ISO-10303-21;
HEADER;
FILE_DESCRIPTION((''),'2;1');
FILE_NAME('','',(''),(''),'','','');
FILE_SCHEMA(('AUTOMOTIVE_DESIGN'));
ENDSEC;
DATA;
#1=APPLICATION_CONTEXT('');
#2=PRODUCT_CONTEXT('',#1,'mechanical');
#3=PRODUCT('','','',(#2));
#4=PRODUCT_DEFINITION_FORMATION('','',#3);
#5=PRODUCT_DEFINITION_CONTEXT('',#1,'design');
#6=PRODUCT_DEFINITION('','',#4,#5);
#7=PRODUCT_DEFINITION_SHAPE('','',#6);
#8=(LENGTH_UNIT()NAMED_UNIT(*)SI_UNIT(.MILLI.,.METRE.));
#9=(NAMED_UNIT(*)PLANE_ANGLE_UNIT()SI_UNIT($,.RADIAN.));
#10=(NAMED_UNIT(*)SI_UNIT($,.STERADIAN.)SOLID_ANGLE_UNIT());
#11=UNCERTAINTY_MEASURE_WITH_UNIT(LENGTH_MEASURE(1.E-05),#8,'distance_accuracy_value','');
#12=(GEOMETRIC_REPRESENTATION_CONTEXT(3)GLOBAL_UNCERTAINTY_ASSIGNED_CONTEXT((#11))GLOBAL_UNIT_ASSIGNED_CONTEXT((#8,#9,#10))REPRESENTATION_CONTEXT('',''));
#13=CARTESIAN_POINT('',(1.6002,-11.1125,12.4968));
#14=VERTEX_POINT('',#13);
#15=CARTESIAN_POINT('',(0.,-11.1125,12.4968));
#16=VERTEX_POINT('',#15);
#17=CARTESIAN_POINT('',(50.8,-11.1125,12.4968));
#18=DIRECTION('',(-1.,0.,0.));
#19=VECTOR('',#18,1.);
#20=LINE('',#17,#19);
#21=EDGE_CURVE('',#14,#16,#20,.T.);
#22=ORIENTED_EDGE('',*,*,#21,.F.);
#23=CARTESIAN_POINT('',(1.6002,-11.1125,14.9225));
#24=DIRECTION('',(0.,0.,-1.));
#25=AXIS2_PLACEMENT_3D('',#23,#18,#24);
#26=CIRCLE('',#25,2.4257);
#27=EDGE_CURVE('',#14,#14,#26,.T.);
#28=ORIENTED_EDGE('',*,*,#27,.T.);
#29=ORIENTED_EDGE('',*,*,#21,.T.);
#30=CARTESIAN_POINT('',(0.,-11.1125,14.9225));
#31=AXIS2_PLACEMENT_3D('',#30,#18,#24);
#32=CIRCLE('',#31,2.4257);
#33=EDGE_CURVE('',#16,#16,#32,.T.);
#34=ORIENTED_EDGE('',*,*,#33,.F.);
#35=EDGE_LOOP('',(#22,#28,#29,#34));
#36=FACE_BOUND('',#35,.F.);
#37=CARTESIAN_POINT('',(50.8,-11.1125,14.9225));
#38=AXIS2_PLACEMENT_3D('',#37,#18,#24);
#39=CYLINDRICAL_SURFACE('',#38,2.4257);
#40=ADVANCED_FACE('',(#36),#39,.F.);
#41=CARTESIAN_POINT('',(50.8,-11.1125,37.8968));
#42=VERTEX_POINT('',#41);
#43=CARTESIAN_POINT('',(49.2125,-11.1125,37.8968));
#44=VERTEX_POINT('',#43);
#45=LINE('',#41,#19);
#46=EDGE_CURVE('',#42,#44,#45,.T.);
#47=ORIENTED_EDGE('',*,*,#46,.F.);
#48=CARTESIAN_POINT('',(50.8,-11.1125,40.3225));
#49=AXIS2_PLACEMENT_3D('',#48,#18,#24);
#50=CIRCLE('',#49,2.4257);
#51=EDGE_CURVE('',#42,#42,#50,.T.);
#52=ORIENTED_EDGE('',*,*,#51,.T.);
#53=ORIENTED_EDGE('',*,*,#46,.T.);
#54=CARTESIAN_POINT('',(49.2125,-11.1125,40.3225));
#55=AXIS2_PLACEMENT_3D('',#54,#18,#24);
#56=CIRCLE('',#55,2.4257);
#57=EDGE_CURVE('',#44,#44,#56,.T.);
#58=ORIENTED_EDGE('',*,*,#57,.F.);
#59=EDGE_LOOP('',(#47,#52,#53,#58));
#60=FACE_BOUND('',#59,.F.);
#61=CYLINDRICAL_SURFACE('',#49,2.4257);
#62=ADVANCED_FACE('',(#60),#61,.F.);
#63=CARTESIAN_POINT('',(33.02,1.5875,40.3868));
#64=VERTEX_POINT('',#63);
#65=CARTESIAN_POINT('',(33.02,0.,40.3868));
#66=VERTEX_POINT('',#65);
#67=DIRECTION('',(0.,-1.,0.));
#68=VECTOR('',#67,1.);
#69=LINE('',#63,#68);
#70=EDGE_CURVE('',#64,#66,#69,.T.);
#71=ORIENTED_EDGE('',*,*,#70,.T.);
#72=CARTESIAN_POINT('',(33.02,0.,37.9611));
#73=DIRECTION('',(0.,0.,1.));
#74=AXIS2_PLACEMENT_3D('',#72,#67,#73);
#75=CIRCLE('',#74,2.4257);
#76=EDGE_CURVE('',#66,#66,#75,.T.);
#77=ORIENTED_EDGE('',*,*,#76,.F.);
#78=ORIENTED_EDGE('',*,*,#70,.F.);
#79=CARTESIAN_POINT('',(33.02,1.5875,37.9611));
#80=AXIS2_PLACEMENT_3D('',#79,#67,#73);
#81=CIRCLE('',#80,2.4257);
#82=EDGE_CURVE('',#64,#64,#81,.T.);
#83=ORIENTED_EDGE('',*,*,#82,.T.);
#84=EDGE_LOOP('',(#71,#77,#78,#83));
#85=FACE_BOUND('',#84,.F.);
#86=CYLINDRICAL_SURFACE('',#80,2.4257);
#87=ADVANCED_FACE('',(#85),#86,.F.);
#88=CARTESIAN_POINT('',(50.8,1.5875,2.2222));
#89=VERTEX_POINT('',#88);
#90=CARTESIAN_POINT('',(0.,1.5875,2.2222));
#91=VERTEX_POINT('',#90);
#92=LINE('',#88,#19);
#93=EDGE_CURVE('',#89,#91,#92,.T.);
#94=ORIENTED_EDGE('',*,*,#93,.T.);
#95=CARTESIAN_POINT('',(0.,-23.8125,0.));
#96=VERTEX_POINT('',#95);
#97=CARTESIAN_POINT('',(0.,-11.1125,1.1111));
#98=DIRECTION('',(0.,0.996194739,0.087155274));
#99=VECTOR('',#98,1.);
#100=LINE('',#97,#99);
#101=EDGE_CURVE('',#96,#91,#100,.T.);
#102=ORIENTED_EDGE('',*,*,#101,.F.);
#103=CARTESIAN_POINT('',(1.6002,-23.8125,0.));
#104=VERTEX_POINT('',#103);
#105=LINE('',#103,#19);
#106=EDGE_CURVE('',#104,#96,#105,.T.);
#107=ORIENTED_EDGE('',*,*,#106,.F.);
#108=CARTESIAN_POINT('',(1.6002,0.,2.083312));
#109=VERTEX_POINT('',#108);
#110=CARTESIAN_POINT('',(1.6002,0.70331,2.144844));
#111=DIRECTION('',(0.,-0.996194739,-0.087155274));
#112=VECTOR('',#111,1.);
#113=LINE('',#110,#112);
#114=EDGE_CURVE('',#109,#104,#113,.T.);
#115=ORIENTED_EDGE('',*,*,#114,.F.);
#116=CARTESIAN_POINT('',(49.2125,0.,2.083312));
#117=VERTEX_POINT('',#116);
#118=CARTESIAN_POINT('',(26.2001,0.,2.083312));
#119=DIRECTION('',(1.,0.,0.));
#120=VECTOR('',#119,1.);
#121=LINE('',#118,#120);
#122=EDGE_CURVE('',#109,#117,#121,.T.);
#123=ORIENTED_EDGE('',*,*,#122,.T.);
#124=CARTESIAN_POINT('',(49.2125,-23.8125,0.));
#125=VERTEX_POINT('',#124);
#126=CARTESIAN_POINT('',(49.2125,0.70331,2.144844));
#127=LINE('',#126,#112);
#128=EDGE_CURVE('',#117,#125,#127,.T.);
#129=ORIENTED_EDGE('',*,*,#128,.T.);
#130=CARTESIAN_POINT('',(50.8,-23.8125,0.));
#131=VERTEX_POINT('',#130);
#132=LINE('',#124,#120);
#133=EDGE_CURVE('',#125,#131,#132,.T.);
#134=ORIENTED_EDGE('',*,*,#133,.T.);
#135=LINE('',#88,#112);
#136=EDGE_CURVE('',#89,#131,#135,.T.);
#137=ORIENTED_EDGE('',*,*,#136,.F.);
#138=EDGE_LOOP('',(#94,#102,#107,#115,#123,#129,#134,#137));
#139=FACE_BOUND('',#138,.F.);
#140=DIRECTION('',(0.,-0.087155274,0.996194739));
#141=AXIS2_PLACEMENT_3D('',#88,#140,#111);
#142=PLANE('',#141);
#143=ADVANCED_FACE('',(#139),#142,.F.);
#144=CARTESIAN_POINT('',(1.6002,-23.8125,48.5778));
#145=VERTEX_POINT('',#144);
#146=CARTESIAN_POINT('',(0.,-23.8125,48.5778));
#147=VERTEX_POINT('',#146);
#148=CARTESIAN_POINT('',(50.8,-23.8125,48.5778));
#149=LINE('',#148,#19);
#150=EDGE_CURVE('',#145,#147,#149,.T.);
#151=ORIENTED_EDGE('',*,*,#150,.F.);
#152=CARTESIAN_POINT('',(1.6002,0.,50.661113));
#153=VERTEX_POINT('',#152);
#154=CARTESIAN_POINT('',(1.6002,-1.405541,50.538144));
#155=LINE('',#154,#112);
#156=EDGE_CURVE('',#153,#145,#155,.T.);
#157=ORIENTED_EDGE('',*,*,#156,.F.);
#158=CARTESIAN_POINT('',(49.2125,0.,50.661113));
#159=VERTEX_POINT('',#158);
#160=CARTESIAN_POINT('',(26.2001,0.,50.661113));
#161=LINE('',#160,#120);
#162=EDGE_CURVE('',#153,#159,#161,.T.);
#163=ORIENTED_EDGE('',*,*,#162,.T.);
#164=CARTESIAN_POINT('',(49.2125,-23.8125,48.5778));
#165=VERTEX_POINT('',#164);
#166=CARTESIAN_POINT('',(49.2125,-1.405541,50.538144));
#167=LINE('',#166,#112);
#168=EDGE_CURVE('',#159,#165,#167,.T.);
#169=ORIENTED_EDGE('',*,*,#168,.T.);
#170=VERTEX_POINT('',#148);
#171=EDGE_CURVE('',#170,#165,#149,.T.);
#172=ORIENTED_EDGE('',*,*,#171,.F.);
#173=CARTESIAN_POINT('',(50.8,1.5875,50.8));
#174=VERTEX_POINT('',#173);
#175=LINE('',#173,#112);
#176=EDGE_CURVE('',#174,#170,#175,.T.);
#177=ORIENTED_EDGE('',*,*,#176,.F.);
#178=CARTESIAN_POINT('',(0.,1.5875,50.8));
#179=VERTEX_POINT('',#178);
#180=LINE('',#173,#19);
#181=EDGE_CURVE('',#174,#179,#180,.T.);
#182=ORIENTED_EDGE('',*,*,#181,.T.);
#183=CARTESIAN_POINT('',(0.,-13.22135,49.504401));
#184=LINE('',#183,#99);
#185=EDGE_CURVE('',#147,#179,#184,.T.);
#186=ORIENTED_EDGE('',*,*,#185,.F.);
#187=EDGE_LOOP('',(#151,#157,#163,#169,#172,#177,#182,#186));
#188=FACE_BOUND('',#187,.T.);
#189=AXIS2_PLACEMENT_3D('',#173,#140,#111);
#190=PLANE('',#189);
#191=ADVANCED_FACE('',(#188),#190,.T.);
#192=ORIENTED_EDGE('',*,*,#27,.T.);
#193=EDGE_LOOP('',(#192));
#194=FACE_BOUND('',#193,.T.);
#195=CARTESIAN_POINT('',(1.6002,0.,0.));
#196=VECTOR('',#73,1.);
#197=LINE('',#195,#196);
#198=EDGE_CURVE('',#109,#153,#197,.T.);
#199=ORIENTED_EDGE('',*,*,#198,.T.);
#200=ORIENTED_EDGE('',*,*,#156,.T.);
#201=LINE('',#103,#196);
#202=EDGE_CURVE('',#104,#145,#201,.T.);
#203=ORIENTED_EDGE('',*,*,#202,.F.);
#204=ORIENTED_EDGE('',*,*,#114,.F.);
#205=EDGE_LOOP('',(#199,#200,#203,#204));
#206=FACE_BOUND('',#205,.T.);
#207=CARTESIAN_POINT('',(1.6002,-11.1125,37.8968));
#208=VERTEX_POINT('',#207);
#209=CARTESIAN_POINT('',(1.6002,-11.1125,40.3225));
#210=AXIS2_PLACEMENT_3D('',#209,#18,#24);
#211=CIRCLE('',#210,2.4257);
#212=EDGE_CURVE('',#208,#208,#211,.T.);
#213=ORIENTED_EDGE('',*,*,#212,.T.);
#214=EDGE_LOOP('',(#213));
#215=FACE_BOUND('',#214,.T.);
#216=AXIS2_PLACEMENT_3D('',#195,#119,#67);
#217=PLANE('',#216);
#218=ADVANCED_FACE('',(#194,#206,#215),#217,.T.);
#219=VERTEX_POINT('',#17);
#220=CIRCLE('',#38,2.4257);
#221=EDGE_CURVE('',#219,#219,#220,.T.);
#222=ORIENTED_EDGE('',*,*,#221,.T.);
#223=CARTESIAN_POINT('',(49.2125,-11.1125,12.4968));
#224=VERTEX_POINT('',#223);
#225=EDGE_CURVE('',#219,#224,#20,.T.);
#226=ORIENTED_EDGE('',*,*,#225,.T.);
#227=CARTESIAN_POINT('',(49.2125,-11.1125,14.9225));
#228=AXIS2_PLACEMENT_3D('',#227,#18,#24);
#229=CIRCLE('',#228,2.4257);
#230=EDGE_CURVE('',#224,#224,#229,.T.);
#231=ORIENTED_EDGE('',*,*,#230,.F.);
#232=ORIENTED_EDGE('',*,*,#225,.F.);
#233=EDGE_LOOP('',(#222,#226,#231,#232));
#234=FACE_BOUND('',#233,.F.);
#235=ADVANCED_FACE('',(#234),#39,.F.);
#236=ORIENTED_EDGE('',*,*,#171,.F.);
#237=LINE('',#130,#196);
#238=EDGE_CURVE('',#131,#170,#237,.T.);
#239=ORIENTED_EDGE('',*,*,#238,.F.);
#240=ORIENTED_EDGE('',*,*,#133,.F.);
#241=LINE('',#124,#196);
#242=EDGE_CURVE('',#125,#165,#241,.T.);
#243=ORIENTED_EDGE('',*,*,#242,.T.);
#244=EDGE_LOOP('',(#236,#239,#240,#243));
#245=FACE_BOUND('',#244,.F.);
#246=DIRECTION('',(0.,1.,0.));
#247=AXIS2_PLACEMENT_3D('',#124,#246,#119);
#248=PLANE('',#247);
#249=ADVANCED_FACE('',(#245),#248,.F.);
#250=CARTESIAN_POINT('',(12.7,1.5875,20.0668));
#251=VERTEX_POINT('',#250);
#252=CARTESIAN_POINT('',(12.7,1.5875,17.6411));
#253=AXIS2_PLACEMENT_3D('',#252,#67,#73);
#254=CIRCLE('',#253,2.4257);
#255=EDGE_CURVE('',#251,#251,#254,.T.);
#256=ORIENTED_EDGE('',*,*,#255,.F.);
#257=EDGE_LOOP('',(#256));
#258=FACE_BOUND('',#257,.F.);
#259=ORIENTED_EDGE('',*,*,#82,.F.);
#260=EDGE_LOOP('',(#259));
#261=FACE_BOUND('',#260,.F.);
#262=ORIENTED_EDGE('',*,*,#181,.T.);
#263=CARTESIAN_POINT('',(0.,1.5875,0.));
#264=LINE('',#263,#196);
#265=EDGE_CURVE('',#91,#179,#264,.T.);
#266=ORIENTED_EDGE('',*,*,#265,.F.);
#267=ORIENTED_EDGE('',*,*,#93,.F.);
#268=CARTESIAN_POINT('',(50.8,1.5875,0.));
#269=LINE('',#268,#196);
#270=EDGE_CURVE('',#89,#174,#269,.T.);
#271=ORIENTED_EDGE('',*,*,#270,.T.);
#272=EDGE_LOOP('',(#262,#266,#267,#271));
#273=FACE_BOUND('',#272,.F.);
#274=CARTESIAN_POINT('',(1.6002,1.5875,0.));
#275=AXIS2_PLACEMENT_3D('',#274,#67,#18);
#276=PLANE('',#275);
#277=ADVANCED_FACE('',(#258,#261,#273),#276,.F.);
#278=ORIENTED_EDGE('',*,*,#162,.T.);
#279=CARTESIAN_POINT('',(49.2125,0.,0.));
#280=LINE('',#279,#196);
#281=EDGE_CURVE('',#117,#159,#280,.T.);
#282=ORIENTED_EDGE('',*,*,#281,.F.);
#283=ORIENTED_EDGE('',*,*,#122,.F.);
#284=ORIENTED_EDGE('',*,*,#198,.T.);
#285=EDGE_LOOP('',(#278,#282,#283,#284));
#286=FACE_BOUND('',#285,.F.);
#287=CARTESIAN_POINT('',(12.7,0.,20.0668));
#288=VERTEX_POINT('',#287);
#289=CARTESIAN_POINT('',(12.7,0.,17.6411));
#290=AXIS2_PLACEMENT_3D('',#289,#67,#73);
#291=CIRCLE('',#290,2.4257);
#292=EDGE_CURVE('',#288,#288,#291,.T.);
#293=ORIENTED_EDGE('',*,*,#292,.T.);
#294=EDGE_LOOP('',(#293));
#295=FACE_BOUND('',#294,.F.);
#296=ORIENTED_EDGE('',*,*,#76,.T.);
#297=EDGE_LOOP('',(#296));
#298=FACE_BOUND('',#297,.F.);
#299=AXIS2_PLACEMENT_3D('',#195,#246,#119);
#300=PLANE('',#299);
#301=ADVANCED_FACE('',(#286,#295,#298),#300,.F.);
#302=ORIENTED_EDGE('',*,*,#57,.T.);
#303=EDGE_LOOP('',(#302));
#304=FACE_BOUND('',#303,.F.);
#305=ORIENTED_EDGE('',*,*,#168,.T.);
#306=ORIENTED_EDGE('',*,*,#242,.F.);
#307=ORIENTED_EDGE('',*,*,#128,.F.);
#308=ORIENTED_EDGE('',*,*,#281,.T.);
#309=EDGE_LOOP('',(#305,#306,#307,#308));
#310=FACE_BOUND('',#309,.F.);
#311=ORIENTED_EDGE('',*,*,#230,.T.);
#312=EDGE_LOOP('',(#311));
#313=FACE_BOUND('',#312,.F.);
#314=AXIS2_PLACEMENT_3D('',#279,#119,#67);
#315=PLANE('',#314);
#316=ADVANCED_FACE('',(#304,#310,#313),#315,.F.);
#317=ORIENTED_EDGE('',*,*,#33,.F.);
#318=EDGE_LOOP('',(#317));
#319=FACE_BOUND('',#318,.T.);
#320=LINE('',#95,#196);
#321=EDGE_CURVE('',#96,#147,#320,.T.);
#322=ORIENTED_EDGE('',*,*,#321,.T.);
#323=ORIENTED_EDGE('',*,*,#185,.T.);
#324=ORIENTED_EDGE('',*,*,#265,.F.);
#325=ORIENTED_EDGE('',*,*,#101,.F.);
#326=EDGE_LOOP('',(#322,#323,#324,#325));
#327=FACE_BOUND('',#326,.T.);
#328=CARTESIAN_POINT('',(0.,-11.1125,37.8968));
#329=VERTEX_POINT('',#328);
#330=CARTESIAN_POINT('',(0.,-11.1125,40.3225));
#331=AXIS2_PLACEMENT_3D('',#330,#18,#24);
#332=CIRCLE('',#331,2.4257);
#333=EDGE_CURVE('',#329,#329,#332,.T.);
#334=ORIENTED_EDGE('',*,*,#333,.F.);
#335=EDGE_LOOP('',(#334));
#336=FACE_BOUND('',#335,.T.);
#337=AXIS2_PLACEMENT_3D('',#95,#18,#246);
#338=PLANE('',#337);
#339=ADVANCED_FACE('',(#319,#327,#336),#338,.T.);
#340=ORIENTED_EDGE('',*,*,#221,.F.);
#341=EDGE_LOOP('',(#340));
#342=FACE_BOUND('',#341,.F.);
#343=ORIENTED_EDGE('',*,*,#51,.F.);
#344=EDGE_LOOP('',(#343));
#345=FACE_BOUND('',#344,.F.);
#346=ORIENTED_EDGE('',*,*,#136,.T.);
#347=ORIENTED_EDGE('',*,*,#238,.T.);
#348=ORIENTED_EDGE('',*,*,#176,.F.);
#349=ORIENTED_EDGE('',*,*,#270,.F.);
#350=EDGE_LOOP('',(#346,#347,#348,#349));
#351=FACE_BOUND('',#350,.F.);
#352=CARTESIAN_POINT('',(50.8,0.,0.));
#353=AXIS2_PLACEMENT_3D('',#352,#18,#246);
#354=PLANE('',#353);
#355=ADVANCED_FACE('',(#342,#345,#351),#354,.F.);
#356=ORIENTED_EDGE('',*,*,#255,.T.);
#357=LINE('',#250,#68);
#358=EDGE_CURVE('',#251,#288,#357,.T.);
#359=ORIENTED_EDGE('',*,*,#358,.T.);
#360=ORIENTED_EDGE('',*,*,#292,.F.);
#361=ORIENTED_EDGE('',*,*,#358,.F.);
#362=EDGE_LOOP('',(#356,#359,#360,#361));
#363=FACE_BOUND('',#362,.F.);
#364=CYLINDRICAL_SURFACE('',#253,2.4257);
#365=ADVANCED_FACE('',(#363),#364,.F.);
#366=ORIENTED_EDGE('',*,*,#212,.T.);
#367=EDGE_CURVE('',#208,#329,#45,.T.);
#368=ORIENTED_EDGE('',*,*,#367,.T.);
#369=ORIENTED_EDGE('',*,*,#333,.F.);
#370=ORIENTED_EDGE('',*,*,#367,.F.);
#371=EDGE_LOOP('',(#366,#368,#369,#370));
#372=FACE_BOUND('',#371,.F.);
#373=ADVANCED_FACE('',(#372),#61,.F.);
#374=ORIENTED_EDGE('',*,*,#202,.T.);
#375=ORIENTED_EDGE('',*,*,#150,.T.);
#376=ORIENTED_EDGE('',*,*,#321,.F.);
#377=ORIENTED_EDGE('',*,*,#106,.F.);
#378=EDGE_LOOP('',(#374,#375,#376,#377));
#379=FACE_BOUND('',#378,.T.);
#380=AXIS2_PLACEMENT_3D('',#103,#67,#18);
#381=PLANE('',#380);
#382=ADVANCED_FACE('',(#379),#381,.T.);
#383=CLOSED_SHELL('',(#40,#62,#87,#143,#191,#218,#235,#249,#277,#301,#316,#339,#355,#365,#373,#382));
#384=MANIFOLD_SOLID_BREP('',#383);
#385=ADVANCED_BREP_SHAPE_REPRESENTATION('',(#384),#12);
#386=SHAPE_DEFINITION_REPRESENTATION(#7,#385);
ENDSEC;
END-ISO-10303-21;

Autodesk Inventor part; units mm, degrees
ref_plane "YZ Plane" through (0, 0, 0) normal (1, 0, 0) x (0, 1, 0)
ref_plane "XZ Plane" through (0, 0, 0) normal (0, 1, 0) x (-1, 0, 0)
ref_plane "XY Plane" through (0, 0, 0) normal (0, 0, 1) x (1, 0, 0)
sketch "Sketch5" plane through (0, 0, 0) normal (0, 0, 1) x (1, 0, 0)
  line L0 (1.6002, 0) -> (49.2125, 0)
  line L1 (50.8, 0) -> (50.8, 1.5875)
  line L2 (50.8, 1.5875) -> (0, 1.5875)
  line L3 (0, 1.5875) -> (0, 0)
  line L4 (50.8, 1.5875) -> (49.2125, 1.5875)
  line L5 (49.2125, 0) -> (49.2125, -23.8125)
  line L6 (49.2125, -23.8125) -> (50.8, -23.8125)
  line L7 (50.8, -23.8125) -> (50.8, 1.5875)
  line L8 (49.2125, 0) -> (49.2125, 1.5875)
  line L9 (0, 1.5875) -> (1.6002, 1.5875)
  line L10 (1.6002, 0) -> (1.6002, -23.8125)
  line L11 (1.6002, -23.8125) -> (0, -23.8125)
  line L12 (0, -23.8125) -> (0, 1.5875)
  dimension "d12" = 50.8
  dimension "d13" = 1.5875
  dimension "d14" = 25.4
  dimension "d15" = 1.5875
  dimension "d46" = 1.6002
extrude "Extrusion4" add sketch "Sketch5" along normal blind 50.8
sketch "Sketch6" plane through (50.8, -23.8125, 0) normal (1, 0, 0) x (0, 0, -1)
  line L0 (-50.8, 0) -> (-50.8, 25.4) projected
  line L1 (-50.8, 25.4) -> (-50.8, 0)
  line L2 (-50.8, 25.4) -> (-48.5778, 0)
  line L3 (-50.8, 23.8125) -> (-50.8, 0) projected
  line L4 (-48.5778, 0) -> (-50.8, 0)
  line L5 (0, 25.4) -> (-50.8, 25.4) projected
  point P0 (0, 23.8125)
  dimension "d18" = 85
extrude "Extrusion5" cut sketch "Sketch6" against normal blind 228.6
sketch "Sketch7" plane through (50.8, -23.8125, 0) normal (1, 0, 0) x (0, 0, -1)
  line L0 (0, 0) -> (0, 25.4) projected
  line L1 (0, 25.4) -> (-50.8, 25.4) projected
  point P0 (0, 23.8125)
  point P1 (-40.3225, 12.7)
  point P2 (-14.9225, 12.7)
  dimension "d21" = 40.3225
  dimension "d22" = 14.9225
  dimension "d30" = 12.7
  dimension "d31" = 12.7
hole "Hole1" at (50.8, -11.1125, 40.3225) at (50.8, -11.1125, 14.9225) direction (-1, 0, 0) diameter 4.8514 end through all
sketch "Sketch8" plane through (50.8, -23.8125, 0) normal (1, 0, 0) x (0, 0, -1)
  line L0 (0, 0) -> (0, 25.4) projected
  line L1 (0, 0) -> (0, 25.4)
  line L2 (0, 25.4) -> (0, 0)
  line L3 (-2.2222, 25.4) -> (0, 0)
  line L4 (0, 25.4) -> (-50.8, 25.4) projected
  line L5 (-2.2222, 25.4) -> (0, 25.4)
  point P0 (0, 23.8125)
  dimension "d32" = 5
extrude "Extrusion6" cut sketch "Sketch8" against normal blind 228.6
sketch "Sketch9" plane through (0, 1.5875, 50.6611) normal (0, -1, 0) x (1, 0, 0)
  line L0 (49.2125, 0) -> (1.6002, 0) projected
  line L1 (0, -50.6611) -> (0, -2.0833) projected
  point P0 (12.7, -33.02)
  point P1 (33.02, -12.7)
  dimension "d35" = 12.7
  dimension "d37" = 33.02
  dimension "d47" = 33.02
  dimension "d48" = 12.7
hole "Hole2" at (12.7, 1.5875, 17.6411) at (33.02, 1.5875, 37.9611) direction (0, -1, 0) diameter 4.8514 end through all
properties part number "CAR_039_SweeperBarMount" material "Aluminum 6061"
